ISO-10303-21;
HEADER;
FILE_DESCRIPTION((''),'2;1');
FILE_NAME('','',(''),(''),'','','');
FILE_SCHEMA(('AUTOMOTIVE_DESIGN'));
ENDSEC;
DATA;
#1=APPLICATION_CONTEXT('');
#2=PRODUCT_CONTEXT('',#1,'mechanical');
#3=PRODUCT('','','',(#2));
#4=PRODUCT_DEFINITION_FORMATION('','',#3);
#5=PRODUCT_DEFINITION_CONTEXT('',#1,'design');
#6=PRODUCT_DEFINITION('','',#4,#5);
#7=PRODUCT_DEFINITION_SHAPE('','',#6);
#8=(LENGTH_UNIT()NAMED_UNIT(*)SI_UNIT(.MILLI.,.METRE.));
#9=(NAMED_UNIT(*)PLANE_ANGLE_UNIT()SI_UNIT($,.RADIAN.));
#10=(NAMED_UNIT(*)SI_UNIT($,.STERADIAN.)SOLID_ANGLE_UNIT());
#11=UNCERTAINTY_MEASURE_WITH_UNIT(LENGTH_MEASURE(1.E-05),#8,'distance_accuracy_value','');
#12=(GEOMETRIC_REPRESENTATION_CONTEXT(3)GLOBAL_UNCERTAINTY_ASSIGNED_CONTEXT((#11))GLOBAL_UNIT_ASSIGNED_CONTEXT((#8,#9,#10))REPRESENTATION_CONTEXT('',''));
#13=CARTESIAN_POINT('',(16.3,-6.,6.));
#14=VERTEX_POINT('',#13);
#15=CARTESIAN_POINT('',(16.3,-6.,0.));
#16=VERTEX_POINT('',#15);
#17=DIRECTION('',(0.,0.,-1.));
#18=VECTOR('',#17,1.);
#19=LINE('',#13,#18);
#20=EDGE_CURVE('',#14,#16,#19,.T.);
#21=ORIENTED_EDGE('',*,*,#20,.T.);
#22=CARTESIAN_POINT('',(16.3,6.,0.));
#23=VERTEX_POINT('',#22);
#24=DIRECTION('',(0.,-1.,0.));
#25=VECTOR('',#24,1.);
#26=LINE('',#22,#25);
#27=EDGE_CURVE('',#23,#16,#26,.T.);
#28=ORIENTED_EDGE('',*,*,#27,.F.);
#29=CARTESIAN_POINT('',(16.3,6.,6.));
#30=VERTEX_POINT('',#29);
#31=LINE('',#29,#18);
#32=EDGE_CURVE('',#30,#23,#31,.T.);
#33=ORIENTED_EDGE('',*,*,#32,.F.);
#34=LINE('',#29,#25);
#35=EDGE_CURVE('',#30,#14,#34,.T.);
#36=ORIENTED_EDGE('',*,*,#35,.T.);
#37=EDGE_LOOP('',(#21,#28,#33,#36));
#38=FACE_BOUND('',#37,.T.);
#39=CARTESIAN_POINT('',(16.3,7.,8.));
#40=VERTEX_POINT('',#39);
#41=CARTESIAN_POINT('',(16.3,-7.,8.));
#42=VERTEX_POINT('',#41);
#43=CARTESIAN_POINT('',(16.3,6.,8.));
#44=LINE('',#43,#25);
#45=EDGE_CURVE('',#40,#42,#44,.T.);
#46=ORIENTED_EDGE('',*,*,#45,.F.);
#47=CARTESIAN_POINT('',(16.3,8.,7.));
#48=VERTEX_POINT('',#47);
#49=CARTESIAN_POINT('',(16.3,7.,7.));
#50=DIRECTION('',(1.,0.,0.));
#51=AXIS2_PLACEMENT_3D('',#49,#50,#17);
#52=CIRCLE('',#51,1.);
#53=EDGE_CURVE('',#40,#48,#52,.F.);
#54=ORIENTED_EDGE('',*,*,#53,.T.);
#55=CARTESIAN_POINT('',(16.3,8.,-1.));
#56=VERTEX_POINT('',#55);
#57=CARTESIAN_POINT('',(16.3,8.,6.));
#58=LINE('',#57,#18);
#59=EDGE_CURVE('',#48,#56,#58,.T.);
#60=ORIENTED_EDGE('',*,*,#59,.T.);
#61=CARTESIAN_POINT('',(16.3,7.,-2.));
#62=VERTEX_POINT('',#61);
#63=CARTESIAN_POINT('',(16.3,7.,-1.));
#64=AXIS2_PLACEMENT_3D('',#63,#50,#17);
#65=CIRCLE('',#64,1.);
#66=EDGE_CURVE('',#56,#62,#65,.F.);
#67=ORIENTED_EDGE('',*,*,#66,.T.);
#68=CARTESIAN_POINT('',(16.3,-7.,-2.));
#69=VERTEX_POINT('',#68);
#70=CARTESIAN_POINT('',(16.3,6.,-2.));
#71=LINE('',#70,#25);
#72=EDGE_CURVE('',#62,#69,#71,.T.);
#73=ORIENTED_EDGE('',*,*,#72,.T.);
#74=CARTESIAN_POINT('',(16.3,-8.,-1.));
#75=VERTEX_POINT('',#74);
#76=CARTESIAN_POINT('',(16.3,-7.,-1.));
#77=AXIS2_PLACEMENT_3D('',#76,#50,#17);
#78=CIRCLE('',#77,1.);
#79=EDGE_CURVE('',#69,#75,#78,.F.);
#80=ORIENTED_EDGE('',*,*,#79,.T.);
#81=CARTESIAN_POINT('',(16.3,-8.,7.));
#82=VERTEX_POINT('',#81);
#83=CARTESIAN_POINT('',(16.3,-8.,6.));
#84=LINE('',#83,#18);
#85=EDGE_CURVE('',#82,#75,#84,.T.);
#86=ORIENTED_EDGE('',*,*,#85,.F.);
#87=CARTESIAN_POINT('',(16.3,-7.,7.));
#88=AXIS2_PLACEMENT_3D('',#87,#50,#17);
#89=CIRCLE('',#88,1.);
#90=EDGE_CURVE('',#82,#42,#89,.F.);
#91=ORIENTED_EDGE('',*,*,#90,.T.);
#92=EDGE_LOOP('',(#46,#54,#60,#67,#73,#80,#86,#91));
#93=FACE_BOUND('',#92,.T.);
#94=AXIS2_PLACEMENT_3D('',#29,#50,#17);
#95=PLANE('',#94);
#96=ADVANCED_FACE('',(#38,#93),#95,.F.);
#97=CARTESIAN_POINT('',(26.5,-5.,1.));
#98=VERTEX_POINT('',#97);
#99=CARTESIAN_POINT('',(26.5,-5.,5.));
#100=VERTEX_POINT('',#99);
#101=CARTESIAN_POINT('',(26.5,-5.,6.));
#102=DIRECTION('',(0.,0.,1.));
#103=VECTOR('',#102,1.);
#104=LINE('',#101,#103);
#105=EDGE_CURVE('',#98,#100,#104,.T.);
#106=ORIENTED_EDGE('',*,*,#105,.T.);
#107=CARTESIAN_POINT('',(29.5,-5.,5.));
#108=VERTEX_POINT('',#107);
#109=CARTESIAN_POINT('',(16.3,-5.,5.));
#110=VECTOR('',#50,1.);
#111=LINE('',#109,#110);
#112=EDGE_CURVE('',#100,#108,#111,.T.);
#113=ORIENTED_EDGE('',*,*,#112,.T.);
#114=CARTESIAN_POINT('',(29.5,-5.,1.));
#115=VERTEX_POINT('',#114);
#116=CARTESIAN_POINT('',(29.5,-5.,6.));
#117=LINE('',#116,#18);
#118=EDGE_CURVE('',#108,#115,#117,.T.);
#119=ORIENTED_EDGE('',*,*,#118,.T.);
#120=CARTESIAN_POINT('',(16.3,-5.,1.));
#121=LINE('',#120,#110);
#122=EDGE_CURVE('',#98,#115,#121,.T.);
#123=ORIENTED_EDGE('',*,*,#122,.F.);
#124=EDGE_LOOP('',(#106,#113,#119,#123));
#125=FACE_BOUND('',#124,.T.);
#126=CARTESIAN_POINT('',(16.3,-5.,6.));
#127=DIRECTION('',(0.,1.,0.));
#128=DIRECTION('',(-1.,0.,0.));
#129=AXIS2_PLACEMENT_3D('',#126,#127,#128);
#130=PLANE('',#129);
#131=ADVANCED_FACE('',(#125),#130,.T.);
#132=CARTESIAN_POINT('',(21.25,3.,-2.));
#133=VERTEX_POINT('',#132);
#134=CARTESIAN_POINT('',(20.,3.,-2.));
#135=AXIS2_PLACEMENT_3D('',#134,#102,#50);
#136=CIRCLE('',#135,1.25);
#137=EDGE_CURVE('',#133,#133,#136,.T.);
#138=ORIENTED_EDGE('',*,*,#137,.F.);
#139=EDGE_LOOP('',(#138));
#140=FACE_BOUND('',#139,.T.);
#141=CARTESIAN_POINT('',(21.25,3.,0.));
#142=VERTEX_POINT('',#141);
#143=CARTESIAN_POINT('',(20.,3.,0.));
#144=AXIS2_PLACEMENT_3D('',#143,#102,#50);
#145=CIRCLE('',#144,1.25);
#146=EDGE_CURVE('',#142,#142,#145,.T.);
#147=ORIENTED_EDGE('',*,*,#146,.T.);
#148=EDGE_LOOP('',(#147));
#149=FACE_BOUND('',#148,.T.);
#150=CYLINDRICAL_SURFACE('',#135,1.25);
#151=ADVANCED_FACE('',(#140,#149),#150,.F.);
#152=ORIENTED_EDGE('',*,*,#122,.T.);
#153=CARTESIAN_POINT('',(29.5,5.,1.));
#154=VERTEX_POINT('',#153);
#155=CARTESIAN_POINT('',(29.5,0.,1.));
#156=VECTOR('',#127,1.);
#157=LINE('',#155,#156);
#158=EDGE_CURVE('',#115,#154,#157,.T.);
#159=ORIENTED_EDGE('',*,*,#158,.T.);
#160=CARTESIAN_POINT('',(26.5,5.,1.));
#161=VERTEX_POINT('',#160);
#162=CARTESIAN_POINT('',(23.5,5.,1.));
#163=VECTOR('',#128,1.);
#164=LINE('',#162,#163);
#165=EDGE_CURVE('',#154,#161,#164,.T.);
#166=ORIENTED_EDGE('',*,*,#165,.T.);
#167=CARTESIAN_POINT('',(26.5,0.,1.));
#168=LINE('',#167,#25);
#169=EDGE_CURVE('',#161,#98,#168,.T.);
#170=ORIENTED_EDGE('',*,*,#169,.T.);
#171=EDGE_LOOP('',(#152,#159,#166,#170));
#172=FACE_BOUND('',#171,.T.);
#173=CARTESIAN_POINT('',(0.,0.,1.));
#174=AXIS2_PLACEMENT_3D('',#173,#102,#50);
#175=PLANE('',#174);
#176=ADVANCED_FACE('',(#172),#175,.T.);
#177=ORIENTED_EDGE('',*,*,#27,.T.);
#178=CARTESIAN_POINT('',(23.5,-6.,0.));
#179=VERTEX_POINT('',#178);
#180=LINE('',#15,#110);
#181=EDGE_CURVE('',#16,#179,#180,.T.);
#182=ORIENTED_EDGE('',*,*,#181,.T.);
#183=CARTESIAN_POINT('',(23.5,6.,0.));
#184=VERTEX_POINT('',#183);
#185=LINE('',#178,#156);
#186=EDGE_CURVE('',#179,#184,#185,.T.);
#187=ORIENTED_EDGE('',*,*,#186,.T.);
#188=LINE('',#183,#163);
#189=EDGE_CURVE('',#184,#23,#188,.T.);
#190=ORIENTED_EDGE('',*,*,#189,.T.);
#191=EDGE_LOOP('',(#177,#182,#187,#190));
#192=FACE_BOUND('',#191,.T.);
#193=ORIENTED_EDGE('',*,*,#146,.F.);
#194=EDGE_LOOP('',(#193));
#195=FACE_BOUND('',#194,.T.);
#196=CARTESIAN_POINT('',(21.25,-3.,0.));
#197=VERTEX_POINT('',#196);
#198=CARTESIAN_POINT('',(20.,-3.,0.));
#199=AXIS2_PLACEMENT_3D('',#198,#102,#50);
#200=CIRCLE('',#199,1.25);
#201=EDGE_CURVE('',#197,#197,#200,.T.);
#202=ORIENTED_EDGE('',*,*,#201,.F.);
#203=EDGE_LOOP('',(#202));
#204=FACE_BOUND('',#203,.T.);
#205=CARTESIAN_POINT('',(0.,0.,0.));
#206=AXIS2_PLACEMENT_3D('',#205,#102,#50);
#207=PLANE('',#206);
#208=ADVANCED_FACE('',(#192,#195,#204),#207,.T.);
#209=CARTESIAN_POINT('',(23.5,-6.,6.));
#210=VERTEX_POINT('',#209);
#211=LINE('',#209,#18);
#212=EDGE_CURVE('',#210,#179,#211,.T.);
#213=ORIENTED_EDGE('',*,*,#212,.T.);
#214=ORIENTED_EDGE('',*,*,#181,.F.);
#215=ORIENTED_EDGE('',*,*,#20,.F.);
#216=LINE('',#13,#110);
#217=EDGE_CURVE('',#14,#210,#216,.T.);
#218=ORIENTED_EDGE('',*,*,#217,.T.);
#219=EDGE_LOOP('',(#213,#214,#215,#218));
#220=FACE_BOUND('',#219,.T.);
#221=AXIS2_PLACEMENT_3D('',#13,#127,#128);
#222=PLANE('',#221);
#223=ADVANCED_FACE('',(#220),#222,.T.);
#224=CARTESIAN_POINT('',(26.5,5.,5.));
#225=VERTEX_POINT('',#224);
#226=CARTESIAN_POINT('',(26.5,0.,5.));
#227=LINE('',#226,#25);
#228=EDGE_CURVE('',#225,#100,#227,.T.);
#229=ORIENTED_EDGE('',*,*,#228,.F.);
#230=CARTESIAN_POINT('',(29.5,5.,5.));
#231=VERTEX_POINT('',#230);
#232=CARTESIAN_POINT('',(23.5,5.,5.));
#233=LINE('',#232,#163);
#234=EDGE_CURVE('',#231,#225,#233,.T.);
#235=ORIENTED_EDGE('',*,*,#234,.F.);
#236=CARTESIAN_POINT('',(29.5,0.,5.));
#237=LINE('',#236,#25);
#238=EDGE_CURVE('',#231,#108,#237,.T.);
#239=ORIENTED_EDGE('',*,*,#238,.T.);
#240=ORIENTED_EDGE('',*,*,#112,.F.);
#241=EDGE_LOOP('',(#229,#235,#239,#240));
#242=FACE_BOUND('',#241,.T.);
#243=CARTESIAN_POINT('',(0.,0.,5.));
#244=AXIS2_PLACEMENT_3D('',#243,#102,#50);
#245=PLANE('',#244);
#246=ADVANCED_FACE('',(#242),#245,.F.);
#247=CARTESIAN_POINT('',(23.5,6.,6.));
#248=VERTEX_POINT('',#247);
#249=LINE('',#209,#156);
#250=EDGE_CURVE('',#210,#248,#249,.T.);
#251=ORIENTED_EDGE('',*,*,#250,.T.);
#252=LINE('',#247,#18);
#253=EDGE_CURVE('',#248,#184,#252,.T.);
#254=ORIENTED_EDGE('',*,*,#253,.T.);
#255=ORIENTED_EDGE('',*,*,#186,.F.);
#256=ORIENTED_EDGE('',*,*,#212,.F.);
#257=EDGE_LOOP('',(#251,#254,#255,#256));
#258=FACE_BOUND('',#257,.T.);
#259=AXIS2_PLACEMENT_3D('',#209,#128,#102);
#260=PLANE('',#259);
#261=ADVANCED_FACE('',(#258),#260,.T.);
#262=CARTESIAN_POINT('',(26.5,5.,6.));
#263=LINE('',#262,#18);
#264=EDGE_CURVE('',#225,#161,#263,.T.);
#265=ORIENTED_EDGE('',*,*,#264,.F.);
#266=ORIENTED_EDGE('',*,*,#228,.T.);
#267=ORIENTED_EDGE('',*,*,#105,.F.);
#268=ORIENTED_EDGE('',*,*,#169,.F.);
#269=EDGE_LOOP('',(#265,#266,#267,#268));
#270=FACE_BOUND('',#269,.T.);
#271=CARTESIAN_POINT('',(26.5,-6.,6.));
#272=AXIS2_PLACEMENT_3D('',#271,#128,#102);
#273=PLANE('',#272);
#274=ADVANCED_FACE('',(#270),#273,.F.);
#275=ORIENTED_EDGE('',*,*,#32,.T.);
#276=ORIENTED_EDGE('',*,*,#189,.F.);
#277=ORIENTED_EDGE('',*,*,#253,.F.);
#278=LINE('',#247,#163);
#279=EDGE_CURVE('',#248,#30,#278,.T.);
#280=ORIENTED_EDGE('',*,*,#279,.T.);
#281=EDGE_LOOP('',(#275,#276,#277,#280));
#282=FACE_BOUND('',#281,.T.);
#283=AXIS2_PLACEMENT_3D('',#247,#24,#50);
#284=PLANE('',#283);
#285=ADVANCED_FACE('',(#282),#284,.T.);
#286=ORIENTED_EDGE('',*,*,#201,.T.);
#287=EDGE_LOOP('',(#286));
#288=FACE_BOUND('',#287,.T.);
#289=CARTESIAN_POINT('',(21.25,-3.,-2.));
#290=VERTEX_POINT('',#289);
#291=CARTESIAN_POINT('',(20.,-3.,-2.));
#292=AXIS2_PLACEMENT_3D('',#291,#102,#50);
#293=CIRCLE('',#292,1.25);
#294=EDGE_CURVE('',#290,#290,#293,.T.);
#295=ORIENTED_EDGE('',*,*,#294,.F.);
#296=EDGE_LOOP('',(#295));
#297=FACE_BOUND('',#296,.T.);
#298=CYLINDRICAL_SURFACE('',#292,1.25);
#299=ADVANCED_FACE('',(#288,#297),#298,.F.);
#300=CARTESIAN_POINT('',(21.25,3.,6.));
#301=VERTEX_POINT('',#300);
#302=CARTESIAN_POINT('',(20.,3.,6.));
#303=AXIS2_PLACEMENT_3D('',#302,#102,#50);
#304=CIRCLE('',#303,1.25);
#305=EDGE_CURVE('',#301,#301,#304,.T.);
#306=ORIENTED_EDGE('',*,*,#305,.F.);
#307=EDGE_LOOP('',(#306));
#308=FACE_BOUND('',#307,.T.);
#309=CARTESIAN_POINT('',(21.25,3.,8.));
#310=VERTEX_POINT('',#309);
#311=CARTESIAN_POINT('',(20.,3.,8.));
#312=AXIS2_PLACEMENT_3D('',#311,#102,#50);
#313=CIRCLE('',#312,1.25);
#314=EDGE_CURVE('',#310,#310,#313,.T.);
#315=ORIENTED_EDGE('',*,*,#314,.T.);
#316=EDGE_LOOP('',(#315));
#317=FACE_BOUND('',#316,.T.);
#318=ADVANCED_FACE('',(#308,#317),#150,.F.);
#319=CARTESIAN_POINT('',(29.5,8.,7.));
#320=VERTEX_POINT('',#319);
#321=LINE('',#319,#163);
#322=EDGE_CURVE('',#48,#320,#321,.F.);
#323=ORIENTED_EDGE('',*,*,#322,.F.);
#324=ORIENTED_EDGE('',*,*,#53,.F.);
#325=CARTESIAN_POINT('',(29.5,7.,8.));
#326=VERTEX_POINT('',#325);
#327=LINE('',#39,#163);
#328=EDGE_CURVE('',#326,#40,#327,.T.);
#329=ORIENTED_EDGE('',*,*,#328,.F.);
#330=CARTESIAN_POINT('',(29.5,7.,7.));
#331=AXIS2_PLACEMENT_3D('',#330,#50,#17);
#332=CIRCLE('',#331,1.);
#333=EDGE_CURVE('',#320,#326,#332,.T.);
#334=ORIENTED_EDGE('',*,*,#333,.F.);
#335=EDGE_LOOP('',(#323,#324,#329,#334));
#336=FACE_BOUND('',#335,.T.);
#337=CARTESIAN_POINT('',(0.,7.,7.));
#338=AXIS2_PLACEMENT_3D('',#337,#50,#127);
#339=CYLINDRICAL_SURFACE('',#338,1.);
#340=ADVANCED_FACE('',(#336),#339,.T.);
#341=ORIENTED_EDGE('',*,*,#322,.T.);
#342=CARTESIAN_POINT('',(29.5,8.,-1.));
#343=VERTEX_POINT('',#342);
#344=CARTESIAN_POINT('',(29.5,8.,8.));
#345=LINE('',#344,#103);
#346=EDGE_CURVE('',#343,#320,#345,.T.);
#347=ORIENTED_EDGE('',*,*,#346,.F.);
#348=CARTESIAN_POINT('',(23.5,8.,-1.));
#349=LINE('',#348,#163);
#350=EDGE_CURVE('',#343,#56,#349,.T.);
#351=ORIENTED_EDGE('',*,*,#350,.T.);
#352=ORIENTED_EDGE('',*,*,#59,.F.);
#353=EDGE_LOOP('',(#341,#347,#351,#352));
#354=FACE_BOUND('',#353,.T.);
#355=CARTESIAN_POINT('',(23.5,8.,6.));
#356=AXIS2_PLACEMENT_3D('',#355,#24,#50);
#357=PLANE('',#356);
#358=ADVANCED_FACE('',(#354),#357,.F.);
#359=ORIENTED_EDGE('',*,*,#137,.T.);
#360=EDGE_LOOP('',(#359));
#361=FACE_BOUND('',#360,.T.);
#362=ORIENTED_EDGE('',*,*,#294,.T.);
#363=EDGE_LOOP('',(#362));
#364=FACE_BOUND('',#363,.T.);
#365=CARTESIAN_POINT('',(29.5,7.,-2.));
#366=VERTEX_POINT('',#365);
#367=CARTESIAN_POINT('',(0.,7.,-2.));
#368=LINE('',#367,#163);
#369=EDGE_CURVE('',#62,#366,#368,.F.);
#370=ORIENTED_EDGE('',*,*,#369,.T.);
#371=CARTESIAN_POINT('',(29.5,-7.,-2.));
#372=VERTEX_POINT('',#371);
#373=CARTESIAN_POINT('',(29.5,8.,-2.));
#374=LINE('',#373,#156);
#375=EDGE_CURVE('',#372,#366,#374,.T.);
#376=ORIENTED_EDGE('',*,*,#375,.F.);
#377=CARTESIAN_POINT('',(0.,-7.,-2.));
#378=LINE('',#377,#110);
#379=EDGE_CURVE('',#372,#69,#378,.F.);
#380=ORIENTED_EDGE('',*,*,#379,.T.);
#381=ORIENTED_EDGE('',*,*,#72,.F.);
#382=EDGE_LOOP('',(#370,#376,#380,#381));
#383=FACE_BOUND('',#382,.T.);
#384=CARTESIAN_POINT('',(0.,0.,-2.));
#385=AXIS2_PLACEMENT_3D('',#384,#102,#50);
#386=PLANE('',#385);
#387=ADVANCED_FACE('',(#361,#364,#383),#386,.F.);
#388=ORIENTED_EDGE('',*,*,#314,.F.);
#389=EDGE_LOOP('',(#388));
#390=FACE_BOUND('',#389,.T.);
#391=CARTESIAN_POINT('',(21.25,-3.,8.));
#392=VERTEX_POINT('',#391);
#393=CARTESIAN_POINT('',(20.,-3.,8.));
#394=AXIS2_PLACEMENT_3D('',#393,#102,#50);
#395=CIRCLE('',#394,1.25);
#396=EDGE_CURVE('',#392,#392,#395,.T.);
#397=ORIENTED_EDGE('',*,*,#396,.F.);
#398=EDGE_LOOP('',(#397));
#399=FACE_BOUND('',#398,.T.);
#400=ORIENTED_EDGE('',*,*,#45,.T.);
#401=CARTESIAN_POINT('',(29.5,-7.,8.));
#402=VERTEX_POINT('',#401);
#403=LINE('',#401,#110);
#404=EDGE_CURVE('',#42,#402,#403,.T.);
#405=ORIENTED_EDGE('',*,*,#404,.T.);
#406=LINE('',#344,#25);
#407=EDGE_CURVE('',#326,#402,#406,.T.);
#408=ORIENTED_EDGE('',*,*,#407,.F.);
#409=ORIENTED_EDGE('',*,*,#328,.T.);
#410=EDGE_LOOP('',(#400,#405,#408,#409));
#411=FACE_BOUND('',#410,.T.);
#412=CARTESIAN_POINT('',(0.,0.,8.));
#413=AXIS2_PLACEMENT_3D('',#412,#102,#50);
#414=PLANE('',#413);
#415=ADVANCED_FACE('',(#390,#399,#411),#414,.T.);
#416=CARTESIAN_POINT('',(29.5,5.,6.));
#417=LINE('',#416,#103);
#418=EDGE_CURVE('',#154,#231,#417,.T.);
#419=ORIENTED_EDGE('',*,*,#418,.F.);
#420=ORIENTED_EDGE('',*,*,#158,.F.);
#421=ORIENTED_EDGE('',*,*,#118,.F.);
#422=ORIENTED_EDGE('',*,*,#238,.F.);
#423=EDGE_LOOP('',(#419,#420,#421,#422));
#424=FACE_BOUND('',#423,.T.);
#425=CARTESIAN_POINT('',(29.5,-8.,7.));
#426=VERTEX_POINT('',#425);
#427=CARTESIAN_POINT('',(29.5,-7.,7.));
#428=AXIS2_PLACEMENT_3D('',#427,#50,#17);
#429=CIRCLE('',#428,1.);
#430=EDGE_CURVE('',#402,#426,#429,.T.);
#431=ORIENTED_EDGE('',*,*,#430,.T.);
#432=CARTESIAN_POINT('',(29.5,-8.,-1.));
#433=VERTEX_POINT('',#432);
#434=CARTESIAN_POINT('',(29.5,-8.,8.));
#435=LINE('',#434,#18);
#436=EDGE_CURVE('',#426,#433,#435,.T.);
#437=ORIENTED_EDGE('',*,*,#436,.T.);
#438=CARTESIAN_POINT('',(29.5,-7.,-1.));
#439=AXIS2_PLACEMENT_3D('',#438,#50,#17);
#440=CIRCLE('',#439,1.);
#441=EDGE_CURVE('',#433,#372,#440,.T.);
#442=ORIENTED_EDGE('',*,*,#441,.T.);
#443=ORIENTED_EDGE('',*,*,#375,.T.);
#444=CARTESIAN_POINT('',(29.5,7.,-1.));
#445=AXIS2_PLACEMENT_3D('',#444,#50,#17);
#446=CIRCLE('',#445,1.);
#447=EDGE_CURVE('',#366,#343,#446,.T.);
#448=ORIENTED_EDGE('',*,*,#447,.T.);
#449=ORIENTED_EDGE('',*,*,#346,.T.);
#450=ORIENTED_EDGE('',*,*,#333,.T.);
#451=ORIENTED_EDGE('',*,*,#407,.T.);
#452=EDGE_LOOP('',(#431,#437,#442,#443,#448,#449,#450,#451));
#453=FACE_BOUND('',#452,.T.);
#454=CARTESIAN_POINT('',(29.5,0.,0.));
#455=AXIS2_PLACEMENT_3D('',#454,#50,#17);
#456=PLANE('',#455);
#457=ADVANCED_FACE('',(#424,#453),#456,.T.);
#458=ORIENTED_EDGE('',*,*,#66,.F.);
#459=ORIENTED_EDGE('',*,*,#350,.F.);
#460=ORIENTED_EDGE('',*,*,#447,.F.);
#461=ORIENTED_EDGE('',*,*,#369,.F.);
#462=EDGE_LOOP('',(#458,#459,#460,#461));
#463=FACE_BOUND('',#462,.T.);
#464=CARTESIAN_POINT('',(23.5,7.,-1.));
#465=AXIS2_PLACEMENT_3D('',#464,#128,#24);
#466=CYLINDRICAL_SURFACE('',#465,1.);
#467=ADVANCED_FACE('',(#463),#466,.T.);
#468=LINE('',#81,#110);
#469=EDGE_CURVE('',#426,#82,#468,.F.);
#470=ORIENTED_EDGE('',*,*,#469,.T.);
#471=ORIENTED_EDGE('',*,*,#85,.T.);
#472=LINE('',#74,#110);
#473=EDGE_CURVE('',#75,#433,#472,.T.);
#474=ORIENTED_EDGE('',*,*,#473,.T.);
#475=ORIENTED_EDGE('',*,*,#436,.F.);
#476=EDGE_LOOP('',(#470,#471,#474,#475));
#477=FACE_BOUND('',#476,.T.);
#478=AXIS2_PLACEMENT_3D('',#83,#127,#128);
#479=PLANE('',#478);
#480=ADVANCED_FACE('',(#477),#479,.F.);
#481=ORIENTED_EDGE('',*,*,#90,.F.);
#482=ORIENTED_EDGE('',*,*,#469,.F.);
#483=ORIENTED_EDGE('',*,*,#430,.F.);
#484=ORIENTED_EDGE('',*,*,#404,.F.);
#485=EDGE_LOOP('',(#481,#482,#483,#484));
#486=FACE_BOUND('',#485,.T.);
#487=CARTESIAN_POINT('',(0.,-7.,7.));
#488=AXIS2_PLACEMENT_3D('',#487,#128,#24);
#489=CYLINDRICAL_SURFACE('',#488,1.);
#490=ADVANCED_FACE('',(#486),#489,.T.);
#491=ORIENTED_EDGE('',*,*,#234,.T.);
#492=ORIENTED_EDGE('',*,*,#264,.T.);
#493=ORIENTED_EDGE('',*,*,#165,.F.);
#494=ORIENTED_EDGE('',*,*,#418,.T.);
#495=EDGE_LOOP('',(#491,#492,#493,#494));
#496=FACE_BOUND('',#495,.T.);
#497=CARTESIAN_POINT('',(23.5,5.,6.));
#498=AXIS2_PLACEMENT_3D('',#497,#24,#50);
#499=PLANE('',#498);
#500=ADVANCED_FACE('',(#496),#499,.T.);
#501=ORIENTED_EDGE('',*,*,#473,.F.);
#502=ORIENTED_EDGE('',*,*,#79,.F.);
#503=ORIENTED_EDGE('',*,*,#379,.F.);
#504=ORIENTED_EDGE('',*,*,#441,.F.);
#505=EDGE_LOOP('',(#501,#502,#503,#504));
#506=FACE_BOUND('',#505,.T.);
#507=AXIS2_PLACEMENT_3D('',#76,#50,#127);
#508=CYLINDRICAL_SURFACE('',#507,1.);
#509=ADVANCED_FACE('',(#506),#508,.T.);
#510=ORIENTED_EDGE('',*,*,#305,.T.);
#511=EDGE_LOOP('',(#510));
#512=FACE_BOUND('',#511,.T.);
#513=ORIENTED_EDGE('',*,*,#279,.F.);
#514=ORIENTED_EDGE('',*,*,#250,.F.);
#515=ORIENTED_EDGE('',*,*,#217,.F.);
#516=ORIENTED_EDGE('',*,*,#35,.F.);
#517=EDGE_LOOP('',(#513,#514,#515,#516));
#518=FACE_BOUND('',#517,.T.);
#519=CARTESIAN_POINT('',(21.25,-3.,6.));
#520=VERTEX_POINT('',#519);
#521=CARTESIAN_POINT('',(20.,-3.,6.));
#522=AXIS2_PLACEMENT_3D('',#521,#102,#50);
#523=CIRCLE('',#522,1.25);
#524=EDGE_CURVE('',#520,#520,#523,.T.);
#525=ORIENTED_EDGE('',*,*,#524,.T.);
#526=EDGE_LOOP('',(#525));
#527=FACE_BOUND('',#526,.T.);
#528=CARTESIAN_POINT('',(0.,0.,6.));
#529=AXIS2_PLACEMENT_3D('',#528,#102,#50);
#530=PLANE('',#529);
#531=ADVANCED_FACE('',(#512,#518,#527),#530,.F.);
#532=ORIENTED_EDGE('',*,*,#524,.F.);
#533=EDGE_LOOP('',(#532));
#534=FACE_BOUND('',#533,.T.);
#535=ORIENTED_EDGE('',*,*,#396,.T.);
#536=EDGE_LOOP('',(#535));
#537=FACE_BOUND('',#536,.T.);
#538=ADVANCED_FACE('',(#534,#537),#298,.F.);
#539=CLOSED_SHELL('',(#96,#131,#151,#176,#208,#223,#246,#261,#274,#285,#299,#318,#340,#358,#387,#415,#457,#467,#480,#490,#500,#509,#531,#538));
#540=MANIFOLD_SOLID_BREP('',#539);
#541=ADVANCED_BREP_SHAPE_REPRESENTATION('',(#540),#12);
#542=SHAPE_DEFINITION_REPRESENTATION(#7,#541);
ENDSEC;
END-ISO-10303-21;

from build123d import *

# Parameters (mm, degrees)
SKETCH1_W               = 7.2
SKETCH1_H               = 12
BOSS_EXTRUDE2_DEPTH     = 6
SHELL1_T                = 2
SKETCH4_R               = 1.25
CUT_EXTRUDE2_DEPTH      = 28.897132469
CUT_EXTRUDE2_DEPTH_BACK = 2
SKETCH5_W               = 10
SKETCH5_H               = 16
BOSS_EXTRUDE3_DEPTH     = 4
SHELL2_T                = -3
FILLET1_R               = 1


with BuildPart() as part:
    # Sketch1 → Boss-Extrude2 (new body)
    with BuildSketch(Plane.XY):
        with Locations((19.9, 0)):
            Rectangle(SKETCH1_W, SKETCH1_H)
    extrude(amount=BOSS_EXTRUDE2_DEPTH)

    # Shell1
    shell1_openings = [part.faces().sort_by_distance(p)[0] for p in [
        (16.3, 0, 3),
    ]]
    offset(amount=SHELL1_T, openings=shell1_openings, kind=Kind.INTERSECTION)

    # Sketch4 → Cut-Extrude2 (cut, two sides)
    with BuildSketch(Plane.XY) as cut_extrude2_sk:
        with Locations((20, -3)):
            Circle(SKETCH4_R)
        with Locations((20, 3)):
            Circle(SKETCH4_R)
    extrude(amount=CUT_EXTRUDE2_DEPTH, mode=Mode.SUBTRACT)
    extrude(cut_extrude2_sk.sketch, amount=-CUT_EXTRUDE2_DEPTH_BACK, mode=Mode.SUBTRACT)

    # Sketch5 → Boss-Extrude3 (add)
    with BuildSketch(Plane(origin=(25.5, 0, 0), x_dir=(0, 0, -1), z_dir=(1, 0, 0))):
        with Locations((-3, 0)):
            Rectangle(SKETCH5_W, SKETCH5_H)
    extrude(amount=BOSS_EXTRUDE3_DEPTH)

    # Shell2
    shell2_openings = [part.faces().sort_by_distance(p)[0] for p in [
        (29.5, 0, 3),
    ]]
    offset(amount=SHELL2_T, openings=shell2_openings, kind=Kind.INTERSECTION)

    # Fillet1
    fillet1_edges = [part.edges().sort_by_distance(p)[0] for p in [
        (22.9, -8, 8),
        (22.9, -8, -2),
        (22.9, 8, -2),
        (22.9, 8, 8),
    ]]
    fillet(fillet1_edges, radius=FILLET1_R)


solid = part.part
